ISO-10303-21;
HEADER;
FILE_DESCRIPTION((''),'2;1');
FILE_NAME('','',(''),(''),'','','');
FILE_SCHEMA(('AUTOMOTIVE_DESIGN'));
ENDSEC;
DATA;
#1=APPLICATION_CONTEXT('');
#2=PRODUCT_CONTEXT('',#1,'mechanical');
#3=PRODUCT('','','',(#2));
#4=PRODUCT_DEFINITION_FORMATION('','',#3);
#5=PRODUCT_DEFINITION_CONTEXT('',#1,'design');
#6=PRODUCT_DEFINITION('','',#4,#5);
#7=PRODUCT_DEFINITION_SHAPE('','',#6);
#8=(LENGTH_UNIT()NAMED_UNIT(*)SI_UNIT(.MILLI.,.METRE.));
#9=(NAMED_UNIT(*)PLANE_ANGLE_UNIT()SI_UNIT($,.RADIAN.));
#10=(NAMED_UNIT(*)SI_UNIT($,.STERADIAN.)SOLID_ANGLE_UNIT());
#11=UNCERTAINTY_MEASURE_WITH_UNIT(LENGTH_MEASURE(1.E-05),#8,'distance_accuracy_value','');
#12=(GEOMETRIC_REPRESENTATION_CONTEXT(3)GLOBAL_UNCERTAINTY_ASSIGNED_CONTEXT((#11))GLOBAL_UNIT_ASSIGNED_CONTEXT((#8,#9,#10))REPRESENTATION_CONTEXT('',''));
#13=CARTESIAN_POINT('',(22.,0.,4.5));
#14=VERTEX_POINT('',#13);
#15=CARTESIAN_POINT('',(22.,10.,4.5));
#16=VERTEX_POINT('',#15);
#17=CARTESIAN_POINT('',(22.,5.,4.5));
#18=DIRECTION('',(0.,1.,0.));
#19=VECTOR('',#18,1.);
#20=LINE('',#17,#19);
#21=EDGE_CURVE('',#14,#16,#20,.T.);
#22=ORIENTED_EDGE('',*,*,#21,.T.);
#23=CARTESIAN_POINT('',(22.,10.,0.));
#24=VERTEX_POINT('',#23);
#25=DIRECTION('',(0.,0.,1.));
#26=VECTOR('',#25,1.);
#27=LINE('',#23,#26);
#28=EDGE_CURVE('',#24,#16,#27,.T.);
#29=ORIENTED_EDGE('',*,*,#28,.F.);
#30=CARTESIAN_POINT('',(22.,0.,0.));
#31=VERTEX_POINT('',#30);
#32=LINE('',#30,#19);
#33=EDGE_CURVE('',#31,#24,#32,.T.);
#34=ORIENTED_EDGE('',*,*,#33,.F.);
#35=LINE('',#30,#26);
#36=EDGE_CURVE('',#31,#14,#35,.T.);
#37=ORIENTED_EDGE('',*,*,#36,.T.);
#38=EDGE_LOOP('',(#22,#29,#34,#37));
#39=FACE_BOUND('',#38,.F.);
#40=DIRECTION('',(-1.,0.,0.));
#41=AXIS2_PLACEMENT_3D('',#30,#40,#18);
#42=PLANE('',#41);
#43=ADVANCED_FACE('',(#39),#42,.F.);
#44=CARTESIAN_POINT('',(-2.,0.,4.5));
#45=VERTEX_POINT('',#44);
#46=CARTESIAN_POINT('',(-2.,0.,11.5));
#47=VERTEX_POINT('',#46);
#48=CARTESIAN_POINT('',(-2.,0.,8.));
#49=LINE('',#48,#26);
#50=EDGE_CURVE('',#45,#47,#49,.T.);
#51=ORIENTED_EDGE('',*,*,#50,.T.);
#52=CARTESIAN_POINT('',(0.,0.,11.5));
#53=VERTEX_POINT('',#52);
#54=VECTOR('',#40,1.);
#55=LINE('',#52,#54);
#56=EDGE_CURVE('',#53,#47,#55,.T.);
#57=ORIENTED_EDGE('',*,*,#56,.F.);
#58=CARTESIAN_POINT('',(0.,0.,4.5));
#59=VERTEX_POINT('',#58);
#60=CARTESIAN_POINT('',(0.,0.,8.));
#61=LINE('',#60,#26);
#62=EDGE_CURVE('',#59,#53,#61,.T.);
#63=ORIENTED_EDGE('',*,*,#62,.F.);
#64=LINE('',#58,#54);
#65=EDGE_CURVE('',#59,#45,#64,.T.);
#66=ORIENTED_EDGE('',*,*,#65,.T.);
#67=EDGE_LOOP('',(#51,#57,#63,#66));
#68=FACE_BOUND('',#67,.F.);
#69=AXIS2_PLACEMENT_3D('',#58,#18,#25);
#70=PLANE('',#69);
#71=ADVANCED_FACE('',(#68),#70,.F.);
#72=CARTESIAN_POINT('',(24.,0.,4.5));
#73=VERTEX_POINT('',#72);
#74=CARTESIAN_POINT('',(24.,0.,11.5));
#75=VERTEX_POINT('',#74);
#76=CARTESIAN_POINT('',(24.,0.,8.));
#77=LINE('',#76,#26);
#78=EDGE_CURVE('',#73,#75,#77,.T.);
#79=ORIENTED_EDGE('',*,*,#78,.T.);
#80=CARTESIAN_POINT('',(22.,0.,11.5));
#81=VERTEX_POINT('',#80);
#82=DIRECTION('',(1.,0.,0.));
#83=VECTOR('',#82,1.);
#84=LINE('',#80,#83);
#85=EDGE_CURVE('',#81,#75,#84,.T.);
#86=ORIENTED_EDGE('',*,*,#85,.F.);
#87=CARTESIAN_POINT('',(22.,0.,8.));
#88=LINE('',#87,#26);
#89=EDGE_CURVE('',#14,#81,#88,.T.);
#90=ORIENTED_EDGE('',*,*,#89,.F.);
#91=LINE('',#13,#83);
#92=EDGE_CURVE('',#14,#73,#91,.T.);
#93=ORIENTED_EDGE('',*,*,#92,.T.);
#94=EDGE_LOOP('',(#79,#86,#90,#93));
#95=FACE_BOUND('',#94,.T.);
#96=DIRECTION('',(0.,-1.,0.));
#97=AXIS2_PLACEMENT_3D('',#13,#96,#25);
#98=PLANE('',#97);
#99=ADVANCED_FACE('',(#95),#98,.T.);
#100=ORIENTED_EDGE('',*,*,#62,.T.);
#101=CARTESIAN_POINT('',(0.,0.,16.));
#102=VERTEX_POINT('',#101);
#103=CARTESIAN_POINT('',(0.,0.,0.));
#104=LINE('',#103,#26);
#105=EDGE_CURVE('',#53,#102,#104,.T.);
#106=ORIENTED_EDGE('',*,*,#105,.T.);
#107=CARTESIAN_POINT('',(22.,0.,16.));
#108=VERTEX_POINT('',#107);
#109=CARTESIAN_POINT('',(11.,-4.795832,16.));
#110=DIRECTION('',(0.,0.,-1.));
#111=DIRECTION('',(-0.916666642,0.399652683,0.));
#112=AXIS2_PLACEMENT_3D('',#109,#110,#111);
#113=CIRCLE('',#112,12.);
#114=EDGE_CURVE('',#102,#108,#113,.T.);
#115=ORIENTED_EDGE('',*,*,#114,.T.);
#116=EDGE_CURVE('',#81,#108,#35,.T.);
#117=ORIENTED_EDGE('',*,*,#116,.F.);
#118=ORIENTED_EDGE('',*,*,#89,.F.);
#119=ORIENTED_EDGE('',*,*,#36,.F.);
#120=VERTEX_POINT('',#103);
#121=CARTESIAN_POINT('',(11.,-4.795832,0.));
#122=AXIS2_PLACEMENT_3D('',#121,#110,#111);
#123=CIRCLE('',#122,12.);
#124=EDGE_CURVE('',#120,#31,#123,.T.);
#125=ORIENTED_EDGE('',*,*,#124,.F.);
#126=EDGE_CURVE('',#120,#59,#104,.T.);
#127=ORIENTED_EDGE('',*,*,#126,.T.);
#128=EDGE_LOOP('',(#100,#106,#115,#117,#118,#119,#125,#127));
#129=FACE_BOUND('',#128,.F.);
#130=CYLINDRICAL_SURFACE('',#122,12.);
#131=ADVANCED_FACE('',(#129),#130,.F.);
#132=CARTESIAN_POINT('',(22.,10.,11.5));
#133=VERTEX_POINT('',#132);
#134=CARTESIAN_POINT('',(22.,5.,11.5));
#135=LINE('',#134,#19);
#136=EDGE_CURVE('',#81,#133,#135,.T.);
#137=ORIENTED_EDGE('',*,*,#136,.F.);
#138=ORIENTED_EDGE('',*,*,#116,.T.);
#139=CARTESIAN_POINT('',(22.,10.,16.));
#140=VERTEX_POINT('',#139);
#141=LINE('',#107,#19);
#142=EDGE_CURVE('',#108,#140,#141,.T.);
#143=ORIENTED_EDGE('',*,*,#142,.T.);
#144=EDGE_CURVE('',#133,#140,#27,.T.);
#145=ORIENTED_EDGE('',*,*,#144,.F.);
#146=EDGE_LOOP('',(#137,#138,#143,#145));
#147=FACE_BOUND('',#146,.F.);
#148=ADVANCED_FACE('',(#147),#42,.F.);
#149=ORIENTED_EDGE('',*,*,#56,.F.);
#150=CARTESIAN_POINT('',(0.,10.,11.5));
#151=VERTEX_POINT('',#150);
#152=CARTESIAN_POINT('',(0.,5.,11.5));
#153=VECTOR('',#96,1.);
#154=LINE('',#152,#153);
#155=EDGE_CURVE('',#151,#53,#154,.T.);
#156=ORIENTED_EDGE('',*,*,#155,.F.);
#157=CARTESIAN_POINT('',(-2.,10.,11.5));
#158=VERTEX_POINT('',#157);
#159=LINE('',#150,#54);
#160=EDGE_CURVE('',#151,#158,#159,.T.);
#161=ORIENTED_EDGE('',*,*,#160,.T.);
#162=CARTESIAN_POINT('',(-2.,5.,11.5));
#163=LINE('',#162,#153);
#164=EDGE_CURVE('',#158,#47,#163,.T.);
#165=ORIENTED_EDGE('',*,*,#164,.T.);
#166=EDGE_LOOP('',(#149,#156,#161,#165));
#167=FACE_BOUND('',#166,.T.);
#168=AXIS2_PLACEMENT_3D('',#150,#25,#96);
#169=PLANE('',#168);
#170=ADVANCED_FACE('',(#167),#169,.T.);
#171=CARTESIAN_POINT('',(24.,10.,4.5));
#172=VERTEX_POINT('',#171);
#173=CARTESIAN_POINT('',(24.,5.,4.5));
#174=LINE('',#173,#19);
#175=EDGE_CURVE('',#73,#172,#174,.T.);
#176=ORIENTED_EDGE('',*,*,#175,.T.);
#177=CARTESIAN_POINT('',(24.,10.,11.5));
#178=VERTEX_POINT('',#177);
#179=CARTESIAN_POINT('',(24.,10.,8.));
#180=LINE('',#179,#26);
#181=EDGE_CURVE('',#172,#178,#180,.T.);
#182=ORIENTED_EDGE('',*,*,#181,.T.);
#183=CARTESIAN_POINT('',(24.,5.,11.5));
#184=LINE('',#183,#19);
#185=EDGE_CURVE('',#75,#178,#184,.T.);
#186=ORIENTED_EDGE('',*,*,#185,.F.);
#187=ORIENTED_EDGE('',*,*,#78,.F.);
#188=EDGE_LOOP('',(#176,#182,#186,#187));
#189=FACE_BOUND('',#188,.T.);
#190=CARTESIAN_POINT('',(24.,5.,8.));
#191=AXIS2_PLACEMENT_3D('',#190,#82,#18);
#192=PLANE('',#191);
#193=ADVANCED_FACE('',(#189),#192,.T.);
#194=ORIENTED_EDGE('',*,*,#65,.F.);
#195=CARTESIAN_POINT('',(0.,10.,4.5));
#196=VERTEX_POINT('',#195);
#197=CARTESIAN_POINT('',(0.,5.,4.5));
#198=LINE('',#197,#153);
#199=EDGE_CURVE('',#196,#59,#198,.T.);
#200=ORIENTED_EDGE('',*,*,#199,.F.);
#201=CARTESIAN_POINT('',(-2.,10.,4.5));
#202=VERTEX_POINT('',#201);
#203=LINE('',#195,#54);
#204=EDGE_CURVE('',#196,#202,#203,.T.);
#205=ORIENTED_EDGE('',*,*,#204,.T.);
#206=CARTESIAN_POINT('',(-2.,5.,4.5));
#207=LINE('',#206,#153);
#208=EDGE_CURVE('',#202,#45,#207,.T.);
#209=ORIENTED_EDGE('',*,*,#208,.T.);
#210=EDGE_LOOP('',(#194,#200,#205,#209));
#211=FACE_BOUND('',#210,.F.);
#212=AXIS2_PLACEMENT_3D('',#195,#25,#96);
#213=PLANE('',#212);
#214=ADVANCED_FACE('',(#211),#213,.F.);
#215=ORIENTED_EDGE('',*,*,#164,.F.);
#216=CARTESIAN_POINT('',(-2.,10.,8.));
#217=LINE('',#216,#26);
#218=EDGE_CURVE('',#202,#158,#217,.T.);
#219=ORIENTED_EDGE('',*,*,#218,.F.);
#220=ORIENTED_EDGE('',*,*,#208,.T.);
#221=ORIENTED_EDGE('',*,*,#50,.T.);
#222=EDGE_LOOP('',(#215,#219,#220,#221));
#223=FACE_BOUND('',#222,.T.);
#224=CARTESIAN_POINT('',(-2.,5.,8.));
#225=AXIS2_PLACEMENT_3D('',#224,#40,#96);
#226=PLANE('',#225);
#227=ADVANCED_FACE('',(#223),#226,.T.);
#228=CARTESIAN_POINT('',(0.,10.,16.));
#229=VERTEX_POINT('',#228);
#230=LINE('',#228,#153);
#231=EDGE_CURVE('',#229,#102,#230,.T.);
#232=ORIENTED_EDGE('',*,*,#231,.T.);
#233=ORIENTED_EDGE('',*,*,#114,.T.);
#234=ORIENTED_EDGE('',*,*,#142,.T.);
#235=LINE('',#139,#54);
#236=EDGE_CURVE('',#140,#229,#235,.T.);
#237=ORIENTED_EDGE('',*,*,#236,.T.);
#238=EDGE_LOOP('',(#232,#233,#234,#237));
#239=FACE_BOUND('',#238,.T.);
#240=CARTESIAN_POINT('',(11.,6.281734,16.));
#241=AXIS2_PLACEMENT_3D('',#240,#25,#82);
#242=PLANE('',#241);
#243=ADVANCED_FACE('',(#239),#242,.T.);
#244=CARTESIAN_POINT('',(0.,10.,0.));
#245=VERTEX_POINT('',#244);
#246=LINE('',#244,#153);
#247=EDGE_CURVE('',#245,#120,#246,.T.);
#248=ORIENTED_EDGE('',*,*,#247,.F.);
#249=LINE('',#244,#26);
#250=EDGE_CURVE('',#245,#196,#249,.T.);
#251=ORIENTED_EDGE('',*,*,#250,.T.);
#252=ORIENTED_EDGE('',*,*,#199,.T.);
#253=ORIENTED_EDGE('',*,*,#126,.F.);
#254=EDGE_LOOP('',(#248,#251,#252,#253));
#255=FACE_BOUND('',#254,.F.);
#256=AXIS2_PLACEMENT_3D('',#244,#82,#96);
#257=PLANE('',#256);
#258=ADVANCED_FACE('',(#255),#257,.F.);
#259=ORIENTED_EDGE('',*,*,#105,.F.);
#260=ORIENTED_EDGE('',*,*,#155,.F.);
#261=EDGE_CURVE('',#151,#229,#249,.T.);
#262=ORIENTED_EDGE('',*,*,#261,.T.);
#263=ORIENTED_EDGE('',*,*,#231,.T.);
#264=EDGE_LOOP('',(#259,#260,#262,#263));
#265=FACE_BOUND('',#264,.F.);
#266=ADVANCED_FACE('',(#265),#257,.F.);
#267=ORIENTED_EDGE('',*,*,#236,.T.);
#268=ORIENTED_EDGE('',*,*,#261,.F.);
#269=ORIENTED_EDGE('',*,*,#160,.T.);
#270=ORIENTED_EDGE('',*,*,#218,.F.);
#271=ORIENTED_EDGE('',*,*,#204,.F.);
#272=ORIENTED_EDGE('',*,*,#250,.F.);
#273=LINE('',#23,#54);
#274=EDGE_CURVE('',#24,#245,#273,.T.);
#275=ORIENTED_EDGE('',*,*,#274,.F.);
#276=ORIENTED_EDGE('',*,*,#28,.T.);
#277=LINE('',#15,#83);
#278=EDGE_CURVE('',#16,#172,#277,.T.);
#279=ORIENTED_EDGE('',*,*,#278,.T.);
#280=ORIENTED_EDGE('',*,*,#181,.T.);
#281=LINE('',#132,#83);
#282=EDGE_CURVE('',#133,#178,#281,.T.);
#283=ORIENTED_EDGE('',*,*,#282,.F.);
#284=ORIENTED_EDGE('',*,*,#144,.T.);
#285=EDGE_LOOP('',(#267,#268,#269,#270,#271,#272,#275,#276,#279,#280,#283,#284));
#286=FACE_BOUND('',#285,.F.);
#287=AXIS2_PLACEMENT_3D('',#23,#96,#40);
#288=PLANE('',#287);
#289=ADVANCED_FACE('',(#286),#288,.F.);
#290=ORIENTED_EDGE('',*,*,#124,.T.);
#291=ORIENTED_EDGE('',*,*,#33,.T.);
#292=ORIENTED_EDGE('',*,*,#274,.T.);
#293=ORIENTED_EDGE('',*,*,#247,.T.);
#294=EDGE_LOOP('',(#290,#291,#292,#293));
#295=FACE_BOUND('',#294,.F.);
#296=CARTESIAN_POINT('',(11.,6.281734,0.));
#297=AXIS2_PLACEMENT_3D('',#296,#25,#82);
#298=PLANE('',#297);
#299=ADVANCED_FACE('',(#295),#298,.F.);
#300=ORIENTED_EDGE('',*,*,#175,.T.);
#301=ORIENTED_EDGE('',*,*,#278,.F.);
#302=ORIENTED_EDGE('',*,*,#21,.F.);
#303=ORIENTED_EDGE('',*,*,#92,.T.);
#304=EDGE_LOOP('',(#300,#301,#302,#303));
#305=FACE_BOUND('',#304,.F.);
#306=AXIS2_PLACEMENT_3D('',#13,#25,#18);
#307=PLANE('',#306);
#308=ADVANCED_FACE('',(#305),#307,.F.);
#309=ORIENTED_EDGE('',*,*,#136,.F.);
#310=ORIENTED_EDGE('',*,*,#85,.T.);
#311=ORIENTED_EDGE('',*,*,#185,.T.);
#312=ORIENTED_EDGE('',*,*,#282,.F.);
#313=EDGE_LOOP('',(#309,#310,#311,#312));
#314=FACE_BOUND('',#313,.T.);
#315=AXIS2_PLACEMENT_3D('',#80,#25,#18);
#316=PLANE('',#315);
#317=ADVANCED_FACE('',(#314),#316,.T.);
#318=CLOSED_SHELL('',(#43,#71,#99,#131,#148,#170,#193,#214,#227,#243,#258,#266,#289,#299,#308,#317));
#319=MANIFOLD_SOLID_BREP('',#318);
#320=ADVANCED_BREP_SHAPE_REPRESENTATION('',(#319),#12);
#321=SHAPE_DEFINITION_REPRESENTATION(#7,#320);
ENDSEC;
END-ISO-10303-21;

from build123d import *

# Parameters (mm, degrees)
F1_DEPTH = 16
F2_W     = 10
F2_H     = 7
F3_DEPTH = 2
F4_W     = 10
F4_H     = 7
F5_DEPTH = 2


with BuildPart() as f1:
    # F0 (on Top) → F1 (new body)
    with BuildSketch(Plane.XY):
        with BuildLine():
            Line((0, 10), (0, 0))
            ThreePointArc((0, 0), (11, 7.204168), (22, 0))
            Line((22, 0), (22, 10))
            Line((22, 10), (0, 10))
        make_face()
    extrude(amount=F1_DEPTH)

    # F2 (on face) → F3 (join)
    with BuildSketch(Plane.YZ.offset(22)):
        with Locations((5, 8)):
            Rectangle(F2_W, F2_H)
    extrude(amount=F3_DEPTH)

    # F4 (on face) → F5 (join)
    with BuildSketch(Plane(origin=(0, 0, 0), x_dir=(0, -1, 0), z_dir=(-1, 0, 0))):
        with Locations((-5, 8)):
            Rectangle(F4_W, F4_H)
    extrude(amount=F5_DEPTH)


solid = f1.part
